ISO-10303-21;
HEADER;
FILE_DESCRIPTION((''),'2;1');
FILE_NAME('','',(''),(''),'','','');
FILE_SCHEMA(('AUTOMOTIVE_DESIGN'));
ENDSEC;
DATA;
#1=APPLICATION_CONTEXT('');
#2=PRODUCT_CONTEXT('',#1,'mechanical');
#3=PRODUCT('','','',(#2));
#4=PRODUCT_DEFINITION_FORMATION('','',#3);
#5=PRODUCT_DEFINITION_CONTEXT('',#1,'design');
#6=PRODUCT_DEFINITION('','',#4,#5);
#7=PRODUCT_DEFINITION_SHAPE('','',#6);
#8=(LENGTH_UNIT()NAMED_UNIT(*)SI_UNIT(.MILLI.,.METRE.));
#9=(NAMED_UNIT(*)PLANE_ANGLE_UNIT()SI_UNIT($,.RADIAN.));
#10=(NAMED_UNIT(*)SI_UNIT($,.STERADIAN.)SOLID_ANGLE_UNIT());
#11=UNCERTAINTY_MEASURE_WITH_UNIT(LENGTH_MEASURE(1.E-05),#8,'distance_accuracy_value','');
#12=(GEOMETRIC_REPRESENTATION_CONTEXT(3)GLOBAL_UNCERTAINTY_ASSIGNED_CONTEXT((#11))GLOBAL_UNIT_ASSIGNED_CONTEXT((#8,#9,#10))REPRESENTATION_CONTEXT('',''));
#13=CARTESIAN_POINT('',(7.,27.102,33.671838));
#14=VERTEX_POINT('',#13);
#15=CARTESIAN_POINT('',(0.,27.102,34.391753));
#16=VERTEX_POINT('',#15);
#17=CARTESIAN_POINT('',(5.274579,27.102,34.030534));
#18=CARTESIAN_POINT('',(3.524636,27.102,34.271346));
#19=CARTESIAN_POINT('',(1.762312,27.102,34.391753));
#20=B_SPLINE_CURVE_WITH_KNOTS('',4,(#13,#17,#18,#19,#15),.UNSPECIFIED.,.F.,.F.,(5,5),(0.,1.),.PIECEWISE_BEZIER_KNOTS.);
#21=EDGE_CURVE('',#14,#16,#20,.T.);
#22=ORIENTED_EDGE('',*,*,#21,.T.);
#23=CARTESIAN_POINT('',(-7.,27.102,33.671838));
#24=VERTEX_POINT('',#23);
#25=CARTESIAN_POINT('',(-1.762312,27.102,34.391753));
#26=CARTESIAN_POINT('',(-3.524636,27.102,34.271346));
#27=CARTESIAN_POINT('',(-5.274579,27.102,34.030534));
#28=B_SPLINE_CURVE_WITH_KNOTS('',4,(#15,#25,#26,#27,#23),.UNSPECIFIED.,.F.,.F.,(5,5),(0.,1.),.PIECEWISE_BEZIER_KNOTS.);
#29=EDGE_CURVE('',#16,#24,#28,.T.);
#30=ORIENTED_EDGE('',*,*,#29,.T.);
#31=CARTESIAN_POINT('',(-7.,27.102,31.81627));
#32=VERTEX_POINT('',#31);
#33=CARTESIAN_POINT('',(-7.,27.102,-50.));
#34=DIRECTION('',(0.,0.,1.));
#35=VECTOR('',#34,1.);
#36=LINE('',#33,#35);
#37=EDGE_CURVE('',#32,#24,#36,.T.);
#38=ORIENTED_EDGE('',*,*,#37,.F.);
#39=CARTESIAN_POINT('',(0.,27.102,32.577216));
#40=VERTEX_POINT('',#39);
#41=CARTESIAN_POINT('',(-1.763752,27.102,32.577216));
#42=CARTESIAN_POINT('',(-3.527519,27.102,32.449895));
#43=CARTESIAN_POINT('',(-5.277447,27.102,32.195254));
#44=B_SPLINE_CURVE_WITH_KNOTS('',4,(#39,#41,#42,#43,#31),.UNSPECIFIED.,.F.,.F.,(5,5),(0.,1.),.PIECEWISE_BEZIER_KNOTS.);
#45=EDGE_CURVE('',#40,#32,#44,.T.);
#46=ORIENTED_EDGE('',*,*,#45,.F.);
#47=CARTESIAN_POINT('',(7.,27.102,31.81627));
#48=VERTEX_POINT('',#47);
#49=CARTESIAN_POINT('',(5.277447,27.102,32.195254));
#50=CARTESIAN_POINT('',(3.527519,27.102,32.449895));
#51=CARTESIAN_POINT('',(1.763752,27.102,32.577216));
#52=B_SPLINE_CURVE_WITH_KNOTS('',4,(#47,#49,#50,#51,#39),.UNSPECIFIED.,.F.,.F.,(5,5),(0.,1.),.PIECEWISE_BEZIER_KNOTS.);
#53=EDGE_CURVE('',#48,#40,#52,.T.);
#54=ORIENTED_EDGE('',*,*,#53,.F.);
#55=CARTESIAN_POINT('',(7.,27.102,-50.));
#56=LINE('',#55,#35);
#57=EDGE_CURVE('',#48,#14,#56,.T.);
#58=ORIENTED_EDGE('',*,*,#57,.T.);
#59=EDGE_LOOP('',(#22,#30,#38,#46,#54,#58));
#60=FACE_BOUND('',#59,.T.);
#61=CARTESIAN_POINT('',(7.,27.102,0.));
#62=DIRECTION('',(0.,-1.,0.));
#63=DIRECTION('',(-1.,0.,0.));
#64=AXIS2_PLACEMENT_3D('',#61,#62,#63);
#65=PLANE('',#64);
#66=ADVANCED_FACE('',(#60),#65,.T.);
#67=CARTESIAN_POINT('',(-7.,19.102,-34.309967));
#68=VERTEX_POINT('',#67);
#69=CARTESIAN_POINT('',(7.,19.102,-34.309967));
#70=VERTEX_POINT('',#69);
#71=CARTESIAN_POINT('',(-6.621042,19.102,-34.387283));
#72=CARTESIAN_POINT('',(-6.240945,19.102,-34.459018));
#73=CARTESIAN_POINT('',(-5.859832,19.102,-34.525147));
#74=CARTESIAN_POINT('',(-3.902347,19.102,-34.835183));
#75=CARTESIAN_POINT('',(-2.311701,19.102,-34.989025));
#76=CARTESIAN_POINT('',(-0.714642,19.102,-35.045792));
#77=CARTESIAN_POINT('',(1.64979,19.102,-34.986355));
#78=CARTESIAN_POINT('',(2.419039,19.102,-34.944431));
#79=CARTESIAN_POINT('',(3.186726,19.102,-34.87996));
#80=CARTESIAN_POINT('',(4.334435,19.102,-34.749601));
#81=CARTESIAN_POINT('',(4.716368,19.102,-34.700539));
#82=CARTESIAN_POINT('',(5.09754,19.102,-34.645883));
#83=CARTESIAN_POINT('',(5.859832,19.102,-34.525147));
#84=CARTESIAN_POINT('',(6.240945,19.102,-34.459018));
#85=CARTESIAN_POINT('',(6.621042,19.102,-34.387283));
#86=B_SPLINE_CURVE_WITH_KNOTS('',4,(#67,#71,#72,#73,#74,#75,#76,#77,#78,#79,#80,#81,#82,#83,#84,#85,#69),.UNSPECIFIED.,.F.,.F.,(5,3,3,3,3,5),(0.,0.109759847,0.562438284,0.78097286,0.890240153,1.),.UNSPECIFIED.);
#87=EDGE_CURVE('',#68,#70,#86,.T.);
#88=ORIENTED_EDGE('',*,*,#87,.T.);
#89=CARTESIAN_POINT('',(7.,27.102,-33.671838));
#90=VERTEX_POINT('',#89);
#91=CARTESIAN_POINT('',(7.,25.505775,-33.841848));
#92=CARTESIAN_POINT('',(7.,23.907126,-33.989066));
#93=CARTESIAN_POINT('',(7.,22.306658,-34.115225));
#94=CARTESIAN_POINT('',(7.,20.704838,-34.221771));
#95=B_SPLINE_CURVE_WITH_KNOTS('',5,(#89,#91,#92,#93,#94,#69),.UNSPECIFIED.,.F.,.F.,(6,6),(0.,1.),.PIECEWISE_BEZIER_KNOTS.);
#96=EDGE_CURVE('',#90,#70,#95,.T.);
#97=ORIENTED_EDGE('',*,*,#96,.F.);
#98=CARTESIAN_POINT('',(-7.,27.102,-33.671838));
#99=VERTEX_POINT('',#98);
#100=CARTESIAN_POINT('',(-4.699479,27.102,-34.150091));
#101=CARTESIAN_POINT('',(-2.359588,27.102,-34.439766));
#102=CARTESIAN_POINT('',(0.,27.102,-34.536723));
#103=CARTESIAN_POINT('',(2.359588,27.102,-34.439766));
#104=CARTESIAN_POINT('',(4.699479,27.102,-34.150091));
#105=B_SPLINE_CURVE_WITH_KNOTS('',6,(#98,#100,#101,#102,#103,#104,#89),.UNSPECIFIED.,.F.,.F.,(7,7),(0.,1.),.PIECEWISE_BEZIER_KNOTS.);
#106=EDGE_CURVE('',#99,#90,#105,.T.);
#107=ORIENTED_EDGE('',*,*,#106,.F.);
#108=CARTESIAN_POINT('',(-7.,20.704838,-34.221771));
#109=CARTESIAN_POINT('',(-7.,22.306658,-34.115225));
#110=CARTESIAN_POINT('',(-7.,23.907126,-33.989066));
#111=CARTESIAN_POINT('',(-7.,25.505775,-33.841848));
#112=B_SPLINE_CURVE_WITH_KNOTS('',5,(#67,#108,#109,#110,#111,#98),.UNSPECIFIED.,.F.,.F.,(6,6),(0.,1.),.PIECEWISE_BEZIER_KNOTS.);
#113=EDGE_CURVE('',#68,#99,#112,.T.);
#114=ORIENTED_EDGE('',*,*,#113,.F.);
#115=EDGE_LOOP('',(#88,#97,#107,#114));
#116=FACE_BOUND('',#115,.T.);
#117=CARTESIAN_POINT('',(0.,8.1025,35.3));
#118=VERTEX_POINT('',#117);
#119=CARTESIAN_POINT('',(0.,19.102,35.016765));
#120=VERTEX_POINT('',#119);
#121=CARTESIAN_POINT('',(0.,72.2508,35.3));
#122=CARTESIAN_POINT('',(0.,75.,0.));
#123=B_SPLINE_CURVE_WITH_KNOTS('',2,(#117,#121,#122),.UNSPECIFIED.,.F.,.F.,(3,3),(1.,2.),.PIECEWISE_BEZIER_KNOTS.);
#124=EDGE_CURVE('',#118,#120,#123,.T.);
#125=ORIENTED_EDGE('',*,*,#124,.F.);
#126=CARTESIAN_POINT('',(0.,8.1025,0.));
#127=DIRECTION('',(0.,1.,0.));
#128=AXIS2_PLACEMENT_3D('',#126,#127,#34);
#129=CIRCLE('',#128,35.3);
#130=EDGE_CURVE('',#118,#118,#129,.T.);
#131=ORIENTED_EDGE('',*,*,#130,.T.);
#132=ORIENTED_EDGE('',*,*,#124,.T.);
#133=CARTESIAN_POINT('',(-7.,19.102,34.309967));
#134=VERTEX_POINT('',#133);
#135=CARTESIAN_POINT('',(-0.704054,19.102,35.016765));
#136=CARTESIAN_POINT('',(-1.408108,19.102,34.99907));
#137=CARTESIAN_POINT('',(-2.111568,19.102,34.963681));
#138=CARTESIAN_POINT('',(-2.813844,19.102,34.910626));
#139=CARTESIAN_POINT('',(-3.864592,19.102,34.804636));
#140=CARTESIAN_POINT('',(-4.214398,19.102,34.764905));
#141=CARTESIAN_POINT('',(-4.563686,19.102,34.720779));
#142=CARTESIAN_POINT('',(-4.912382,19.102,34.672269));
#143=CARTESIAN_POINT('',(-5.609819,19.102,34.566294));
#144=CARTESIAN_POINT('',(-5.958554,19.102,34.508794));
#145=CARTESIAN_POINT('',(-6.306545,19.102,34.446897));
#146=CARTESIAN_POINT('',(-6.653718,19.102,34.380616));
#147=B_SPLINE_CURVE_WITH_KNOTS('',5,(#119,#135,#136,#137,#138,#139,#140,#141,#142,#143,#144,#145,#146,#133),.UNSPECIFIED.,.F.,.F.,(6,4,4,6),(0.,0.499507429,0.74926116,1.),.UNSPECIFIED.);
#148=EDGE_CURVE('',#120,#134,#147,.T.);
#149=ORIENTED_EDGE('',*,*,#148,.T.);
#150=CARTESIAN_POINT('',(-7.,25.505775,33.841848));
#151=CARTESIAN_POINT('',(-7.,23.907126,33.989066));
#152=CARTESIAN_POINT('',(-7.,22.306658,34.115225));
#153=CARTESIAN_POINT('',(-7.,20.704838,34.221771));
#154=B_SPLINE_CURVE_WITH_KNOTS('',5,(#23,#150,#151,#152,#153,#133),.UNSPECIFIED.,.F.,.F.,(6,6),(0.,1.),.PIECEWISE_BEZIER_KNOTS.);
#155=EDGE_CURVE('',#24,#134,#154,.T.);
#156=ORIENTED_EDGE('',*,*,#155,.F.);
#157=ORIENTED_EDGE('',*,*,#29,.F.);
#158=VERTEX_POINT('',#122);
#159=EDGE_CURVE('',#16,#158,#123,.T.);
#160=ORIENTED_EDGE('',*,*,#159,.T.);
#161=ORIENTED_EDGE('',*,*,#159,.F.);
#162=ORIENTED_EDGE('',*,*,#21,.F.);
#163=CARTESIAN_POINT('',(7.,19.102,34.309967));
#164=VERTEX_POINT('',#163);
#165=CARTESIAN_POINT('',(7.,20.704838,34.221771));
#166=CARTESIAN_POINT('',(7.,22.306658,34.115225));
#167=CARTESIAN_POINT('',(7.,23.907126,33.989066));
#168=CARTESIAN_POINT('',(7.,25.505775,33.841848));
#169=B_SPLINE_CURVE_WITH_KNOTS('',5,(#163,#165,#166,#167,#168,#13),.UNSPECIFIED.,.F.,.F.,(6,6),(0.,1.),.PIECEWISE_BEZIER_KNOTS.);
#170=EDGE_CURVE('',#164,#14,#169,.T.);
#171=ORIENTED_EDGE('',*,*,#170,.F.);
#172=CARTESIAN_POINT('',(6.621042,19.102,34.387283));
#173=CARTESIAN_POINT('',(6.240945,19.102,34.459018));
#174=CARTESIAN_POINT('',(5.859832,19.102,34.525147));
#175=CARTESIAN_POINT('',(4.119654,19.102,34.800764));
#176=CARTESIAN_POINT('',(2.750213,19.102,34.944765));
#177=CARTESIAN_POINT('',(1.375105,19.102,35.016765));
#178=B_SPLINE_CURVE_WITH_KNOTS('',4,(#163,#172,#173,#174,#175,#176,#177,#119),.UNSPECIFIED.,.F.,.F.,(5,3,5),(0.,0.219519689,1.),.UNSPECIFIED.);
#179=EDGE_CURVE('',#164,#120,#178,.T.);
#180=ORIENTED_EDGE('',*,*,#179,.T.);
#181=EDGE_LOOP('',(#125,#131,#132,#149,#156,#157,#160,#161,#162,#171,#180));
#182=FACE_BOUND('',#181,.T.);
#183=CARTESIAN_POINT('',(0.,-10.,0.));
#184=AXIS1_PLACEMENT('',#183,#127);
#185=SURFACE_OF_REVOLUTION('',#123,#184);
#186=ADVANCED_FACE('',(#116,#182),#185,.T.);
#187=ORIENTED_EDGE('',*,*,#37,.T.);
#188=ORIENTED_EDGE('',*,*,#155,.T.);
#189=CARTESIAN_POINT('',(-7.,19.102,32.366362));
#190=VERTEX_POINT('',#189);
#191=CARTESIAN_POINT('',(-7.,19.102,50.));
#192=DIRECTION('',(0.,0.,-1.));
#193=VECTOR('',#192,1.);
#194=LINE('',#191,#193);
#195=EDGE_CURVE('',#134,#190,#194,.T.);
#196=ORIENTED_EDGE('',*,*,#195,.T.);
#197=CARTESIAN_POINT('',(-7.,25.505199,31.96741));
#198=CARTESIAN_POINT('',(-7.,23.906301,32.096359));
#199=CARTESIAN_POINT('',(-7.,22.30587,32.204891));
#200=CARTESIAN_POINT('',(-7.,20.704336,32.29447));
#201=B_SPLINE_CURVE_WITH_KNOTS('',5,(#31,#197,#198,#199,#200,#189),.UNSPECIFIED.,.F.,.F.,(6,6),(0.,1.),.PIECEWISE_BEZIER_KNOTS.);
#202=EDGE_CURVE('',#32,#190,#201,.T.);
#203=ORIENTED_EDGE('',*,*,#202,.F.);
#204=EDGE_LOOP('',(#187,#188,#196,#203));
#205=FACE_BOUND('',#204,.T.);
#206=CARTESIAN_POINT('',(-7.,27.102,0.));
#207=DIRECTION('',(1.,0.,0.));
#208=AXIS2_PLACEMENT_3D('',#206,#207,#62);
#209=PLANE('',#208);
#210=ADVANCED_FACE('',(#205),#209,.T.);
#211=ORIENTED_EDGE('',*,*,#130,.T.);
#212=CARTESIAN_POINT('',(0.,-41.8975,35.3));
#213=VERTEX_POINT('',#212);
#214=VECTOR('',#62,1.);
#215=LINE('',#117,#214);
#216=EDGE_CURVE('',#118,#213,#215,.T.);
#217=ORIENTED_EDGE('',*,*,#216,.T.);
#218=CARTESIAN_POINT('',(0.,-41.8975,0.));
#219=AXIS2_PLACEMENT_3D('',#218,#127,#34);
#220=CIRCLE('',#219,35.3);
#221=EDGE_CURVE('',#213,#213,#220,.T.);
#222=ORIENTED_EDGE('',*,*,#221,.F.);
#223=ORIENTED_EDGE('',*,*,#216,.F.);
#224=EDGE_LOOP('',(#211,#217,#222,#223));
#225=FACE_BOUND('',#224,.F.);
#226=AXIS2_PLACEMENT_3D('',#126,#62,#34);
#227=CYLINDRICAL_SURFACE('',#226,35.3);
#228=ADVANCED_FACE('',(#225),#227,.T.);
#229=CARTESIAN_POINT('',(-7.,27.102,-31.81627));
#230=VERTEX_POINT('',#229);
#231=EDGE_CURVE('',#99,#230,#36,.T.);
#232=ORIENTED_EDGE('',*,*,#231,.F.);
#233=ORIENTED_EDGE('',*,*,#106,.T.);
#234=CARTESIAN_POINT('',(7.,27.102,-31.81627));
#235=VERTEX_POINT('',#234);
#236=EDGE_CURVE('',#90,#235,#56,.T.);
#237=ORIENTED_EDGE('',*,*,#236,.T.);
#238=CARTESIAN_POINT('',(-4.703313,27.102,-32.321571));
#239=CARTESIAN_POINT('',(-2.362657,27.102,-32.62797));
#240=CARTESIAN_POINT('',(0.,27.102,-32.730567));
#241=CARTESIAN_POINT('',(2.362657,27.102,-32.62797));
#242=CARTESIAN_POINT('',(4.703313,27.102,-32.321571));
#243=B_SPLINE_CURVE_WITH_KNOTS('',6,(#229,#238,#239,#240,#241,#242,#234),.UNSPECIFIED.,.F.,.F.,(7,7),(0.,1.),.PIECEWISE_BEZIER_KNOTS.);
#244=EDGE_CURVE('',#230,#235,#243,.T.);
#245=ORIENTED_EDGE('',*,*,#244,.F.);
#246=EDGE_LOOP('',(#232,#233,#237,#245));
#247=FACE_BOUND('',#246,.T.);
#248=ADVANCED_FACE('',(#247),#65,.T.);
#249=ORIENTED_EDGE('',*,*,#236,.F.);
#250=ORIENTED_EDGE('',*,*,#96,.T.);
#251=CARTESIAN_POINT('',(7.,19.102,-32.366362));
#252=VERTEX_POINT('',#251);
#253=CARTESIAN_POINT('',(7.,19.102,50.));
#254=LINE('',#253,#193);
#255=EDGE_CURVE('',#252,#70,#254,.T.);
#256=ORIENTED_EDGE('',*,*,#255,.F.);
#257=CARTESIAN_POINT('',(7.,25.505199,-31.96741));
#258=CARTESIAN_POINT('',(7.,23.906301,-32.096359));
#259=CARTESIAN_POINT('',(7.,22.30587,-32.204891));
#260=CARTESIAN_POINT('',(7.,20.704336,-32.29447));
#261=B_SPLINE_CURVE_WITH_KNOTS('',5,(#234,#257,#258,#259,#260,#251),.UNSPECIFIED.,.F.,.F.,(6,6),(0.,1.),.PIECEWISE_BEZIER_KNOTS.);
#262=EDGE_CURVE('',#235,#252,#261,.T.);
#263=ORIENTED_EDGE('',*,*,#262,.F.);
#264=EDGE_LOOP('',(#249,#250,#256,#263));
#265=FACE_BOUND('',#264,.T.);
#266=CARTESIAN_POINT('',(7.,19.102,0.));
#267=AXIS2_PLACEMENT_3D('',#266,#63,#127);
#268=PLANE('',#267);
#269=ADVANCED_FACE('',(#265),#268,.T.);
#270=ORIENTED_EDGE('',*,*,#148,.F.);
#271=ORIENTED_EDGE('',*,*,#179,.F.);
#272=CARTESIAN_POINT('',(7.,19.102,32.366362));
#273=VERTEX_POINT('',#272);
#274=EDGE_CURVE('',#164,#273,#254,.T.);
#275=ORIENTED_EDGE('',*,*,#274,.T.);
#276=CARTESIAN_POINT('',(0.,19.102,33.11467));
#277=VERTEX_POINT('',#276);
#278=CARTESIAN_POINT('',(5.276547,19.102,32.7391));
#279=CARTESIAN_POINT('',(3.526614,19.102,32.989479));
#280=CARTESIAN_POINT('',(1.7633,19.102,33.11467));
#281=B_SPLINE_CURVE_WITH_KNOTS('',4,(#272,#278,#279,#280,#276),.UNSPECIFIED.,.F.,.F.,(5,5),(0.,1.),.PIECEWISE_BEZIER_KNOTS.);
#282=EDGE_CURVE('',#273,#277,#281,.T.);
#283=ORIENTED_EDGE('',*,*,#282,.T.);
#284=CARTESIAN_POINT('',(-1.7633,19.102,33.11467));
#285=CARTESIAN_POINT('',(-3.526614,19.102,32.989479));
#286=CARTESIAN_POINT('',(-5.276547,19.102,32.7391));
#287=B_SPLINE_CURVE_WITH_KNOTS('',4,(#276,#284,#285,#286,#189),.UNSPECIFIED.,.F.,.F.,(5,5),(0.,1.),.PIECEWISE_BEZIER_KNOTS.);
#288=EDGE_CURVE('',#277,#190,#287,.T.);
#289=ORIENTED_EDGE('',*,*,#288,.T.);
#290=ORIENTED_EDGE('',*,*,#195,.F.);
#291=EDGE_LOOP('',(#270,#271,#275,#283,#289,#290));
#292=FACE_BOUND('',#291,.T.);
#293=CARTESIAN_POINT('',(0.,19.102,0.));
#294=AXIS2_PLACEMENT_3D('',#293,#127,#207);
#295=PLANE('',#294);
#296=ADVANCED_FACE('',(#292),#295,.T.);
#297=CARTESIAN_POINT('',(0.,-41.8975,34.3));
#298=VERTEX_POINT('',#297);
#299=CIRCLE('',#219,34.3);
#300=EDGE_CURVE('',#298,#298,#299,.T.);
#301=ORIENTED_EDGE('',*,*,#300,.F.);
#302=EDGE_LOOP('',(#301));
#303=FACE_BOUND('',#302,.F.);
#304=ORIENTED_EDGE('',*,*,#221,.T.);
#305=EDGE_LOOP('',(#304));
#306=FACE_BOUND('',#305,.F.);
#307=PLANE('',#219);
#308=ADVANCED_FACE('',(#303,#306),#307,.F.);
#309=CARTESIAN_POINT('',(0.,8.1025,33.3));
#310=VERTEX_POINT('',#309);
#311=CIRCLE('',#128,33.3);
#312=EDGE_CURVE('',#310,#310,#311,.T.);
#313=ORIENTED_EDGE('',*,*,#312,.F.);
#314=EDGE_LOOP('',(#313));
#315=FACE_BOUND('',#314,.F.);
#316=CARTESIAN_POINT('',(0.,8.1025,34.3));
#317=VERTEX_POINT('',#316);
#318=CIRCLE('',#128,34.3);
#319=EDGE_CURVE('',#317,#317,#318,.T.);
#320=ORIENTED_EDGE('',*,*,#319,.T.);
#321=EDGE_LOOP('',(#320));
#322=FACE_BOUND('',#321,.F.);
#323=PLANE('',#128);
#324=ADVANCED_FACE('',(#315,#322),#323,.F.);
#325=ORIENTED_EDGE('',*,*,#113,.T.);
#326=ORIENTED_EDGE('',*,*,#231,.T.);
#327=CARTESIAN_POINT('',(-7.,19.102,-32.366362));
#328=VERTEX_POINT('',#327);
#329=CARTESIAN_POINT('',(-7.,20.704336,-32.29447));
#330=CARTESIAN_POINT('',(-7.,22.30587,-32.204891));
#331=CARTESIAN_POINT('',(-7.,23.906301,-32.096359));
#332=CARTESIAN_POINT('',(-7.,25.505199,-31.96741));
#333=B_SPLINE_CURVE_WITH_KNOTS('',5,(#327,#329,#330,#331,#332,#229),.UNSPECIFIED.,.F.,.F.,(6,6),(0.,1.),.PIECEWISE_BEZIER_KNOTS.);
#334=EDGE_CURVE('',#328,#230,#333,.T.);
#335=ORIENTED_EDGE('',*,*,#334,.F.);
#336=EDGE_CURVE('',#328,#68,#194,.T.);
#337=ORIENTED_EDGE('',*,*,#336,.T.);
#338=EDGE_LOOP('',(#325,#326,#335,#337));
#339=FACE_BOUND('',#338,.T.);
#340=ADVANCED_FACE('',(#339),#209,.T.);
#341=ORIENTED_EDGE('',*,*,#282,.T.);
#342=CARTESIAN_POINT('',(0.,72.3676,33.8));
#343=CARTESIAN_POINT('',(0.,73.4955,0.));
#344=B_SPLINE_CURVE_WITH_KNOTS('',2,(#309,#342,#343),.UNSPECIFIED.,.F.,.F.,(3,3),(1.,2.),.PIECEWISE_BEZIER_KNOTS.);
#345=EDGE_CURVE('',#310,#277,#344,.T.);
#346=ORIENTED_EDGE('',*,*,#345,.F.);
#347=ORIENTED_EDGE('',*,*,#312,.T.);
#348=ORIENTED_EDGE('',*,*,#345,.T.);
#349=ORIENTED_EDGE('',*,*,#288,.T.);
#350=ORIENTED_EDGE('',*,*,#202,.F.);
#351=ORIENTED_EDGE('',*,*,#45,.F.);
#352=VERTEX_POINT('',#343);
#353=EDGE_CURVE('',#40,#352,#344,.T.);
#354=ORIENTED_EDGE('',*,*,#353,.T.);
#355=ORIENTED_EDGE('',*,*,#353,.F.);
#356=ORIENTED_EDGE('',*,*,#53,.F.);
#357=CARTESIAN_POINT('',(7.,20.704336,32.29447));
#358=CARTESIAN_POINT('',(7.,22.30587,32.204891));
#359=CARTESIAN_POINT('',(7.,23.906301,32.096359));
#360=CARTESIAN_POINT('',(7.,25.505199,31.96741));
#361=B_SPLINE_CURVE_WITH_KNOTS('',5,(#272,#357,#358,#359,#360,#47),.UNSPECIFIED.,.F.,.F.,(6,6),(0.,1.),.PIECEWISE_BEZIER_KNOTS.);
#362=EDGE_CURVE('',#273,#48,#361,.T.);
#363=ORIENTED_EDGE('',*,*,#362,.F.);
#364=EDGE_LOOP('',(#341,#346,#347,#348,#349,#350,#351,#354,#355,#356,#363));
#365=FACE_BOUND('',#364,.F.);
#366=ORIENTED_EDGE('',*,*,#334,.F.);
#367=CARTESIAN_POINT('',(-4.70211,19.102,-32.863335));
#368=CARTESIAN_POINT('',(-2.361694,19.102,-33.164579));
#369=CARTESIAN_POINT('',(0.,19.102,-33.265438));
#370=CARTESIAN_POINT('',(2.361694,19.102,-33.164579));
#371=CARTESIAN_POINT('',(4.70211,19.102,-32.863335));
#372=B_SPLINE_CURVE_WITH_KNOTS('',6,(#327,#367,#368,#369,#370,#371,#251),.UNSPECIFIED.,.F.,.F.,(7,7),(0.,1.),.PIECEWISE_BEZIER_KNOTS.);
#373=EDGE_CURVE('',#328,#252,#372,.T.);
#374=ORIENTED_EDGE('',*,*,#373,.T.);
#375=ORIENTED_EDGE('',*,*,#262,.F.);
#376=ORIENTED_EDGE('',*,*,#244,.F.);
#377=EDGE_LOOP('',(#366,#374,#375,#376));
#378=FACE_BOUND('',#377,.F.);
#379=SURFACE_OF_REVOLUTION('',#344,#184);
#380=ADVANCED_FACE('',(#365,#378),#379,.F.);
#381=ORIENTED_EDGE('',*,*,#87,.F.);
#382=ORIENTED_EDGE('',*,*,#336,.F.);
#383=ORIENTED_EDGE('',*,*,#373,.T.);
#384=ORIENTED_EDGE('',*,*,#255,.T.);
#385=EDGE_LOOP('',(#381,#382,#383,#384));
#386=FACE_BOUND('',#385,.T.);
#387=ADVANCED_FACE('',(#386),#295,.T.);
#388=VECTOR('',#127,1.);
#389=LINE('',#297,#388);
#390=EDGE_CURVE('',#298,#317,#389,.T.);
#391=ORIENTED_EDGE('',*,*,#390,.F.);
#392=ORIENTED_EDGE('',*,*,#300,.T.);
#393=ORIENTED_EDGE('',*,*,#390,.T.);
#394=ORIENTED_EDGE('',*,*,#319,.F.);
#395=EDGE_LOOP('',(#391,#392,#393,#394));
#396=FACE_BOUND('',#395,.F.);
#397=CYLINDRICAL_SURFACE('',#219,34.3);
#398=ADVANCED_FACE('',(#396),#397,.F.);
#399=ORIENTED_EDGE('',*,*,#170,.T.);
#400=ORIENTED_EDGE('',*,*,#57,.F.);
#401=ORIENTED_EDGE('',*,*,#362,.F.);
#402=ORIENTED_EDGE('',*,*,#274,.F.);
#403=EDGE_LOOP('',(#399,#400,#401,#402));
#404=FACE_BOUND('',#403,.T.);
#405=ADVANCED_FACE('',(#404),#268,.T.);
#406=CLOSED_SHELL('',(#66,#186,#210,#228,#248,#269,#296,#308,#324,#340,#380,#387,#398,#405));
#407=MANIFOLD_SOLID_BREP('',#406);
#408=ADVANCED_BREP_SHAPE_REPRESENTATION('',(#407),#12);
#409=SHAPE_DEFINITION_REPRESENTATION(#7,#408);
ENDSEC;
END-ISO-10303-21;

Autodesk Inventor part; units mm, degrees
ref_plane "YZ Plane" through (0, 0, 0) normal (1, 0, 0) x (0, 1, 0)
ref_plane "XZ Plane" through (0, 0, 0) normal (0, 1, 0) x (-1, 0, 0)
ref_plane "XY Plane" through (0, 0, 0) normal (0, 0, 1) x (1, 0, 0)
sketch "Cone Sketch" plane through (0, 0, 0) normal (1, 0, 0) x (0, 1, 0)
  line L0 (8.1025, 33.3) -> (72.3676, 33.8) construction
  line L1 (72.3676, 33.8) -> (73.4955, 0) construction
  spline S0 degree 2 poles (8.1025, 33.3) (72.3676, 33.8) (73.4955, 0) knots 1 1 1 2 2 2
  line L2 (8.1025, 35.3) -> (72.2508, 35.3) construction
  line L3 (72.2508, 35.3) -> (75, 0) construction
  spline S1 degree 2 poles (8.1025, 35.3) (72.2508, 35.3) (75, 0) knots 1 1 1 2 2 2
  line L4 (75, 0) -> (73.4955, 0)
  line L5 (75, 0) -> (0, 0)
  line L6 (8.1025, 35.3) -> (-41.8975, 35.3)
  line L7 (-41.8975, 35.3) -> (-41.8975, 34.3)
  line L8 (-41.8975, 34.3) -> (8.1025, 34.3)
  line L9 (8.1025, 34.3) -> (8.1025, 33.3)
  line L10 (-79.1738, 0) -> (181.7601, 0) projected
  point P0 (8.1025, 33.8)
  point P1 (-41.8975, 34.8)
  point P2 (144.4838, 14.0682)
  point P3 (31.2287, 39.0196)
  dimension "d26" = 1.5
  dimension "d27" = 75
  dimension "d61" = 1
  dimension "d63" = 50
  dimension "d70" = 34.3
revolve "Cone" add sketch "Cone Sketch" angle 360 about axis through (0, -10, 0) along (0, 1, 0)
sketch "Sketch2" plane through (0, 0, 0) normal (0, 0, 1) x (1, 0, 0)
  line L0 (3, -20.8975) -> (-3, -20.8975)
  line L1 (-3, -20.8975) -> (-3, -26.8975)
  line L2 (-3, -26.8975) -> (3, -26.8975)
  line L3 (3, -26.8975) -> (3, -20.8975)
  line L4 (35.3, 8.1025) -> (-35.3, 8.1025) projected
  point P0 (0, 0)
  point P1 (-3, -23.8975)
  point P2 (0, 8.1025)
  dimension "d71" = 3
  dimension "d72" = 6
  dimension "d73" = 6
  dimension "d77" = 29
extrude "RBF+ Breakout  Hole" [suppressed]
sketch "Sketch4" plane through (0, 0, 0) normal (0, 0, 1) x (1, 0, 0)
  line L0 (7, 27.102) -> (-7, 27.102)
  line L1 (-7, 27.102) -> (-7, 19.102)
  line L2 (-7, 19.102) -> (7, 19.102)
  line L3 (7, 19.102) -> (7, 27.102)
  line L4 (-11.9, 0) -> (11.9, 0) projected
  line L5 (0, -5.6204) -> (0, 33.7224) projected
  point P0 (0, 0)
  point P1 (-7, 23.102)
  dimension "d78" = 19.102
  dimension "d79" = 8
  dimension "d80" = 7
  dimension "d81" = 7
extrude "Extrusion2" cut sketch "Sketch4" along normal mid plane 100
equation "\"d72\" = 2 * d71"
equation "\"d73\" = 2 * d71"
equation "\"gap\" = 0.1"
equation "\"sdcard_offset\" = 15"
properties part number "Cone"
